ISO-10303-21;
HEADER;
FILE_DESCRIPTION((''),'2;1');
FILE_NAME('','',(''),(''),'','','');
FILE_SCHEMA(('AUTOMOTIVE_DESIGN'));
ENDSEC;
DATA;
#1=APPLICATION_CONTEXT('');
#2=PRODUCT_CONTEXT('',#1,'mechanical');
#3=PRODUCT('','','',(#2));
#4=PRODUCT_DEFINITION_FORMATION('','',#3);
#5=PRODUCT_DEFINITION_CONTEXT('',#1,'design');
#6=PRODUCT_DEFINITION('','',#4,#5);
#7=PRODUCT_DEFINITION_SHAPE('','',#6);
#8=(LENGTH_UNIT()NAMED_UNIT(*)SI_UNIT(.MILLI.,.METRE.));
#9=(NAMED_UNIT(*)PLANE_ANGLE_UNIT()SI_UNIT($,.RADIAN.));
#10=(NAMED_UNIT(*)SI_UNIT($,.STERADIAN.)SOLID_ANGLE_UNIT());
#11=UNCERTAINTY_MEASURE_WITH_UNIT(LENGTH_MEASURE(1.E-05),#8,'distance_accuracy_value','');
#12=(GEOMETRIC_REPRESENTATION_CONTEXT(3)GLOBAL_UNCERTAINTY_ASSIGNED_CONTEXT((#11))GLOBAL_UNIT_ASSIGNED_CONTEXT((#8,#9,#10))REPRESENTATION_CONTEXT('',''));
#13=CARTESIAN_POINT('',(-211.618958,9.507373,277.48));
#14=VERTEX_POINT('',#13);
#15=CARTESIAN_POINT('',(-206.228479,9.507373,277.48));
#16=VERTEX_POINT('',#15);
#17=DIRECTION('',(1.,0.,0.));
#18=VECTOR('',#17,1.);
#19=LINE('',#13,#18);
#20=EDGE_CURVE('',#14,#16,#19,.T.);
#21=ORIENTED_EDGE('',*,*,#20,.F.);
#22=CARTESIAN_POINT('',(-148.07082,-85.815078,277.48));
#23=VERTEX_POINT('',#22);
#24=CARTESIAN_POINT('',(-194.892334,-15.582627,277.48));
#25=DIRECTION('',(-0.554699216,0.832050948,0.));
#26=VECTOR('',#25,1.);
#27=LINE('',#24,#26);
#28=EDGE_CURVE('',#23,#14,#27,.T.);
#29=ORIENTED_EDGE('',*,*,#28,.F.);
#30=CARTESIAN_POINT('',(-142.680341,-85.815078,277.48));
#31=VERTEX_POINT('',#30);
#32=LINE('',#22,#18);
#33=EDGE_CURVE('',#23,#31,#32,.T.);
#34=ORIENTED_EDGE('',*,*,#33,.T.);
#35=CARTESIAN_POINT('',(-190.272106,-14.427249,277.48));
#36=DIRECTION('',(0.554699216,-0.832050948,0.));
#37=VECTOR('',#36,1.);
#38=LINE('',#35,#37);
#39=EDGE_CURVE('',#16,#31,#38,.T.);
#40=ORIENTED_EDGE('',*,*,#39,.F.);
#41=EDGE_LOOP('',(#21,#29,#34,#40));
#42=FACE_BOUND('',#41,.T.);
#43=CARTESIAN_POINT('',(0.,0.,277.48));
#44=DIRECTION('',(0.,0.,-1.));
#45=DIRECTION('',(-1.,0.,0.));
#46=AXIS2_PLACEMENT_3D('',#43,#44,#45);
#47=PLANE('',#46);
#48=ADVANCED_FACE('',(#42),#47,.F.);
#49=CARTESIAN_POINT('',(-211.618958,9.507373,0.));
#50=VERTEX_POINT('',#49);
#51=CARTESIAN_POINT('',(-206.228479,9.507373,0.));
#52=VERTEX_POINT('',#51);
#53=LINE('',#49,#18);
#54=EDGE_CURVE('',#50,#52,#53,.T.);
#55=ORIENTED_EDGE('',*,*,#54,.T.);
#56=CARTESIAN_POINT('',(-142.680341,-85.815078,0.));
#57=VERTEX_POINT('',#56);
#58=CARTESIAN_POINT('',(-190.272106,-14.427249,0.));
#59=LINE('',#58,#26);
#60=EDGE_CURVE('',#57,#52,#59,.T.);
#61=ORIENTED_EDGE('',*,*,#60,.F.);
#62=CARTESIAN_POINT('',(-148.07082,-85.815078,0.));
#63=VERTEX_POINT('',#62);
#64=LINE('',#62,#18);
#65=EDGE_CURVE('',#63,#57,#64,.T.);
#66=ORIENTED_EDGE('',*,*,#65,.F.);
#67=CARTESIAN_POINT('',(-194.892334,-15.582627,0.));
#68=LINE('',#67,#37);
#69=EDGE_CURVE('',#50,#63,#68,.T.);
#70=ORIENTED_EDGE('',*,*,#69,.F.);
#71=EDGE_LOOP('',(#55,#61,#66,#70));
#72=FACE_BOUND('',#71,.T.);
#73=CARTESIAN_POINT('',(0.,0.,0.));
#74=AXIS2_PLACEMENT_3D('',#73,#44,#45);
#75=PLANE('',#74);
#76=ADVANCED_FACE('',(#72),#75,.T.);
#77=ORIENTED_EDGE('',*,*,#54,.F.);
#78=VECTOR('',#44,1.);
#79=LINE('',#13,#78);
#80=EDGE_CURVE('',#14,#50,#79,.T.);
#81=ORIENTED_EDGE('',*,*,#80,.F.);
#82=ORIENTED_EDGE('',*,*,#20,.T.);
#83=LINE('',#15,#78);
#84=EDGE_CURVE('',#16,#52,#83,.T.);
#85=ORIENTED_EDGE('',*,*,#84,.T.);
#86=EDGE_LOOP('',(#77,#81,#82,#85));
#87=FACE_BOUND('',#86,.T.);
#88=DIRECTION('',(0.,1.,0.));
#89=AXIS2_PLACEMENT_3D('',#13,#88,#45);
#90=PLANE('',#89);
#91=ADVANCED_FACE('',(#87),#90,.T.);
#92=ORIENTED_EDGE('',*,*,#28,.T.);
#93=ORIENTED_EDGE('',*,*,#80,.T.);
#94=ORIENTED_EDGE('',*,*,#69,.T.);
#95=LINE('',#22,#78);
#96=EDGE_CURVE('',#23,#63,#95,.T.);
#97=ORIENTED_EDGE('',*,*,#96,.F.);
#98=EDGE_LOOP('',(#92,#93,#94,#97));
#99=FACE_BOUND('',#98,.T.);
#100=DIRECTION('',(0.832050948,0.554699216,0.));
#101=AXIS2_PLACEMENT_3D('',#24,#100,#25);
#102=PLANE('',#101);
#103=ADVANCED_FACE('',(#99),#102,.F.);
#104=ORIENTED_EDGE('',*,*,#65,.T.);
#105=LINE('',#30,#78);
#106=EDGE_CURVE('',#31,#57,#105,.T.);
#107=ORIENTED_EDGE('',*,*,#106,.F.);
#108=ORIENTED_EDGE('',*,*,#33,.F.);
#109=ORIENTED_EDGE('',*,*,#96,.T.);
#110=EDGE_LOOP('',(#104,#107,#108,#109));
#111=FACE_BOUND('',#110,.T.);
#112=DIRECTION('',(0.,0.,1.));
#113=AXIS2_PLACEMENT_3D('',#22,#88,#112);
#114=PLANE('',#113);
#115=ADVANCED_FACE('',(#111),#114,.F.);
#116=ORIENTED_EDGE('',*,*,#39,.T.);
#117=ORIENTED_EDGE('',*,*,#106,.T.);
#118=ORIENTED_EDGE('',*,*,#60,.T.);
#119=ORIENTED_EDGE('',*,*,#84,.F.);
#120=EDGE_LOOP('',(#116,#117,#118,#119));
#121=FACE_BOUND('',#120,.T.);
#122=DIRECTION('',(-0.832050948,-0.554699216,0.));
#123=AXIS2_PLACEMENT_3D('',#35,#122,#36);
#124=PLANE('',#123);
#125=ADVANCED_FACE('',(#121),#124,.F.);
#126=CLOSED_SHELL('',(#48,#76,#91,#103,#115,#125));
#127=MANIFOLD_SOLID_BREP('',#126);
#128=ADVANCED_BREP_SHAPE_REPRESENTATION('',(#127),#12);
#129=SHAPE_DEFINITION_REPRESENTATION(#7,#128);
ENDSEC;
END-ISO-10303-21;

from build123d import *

# Parameters (mm, degrees)
BOSS_EXTRUDE1_DEPTH = 277.48


with BuildPart() as part:
    # Sketch1 → Boss-Extrude1 (new body)
    with BuildSketch(Plane.XY):
        Polygon((-194.892333822, -15.582627434), (-148.070819622, -85.815078074), (-142.680341112, -85.815078074), (-190.272105908, -14.42724859), (-206.228479267, 9.507372566), (-211.618957777, 9.507372566), align=None)
    extrude(amount=BOSS_EXTRUDE1_DEPTH)


solid = part.part
